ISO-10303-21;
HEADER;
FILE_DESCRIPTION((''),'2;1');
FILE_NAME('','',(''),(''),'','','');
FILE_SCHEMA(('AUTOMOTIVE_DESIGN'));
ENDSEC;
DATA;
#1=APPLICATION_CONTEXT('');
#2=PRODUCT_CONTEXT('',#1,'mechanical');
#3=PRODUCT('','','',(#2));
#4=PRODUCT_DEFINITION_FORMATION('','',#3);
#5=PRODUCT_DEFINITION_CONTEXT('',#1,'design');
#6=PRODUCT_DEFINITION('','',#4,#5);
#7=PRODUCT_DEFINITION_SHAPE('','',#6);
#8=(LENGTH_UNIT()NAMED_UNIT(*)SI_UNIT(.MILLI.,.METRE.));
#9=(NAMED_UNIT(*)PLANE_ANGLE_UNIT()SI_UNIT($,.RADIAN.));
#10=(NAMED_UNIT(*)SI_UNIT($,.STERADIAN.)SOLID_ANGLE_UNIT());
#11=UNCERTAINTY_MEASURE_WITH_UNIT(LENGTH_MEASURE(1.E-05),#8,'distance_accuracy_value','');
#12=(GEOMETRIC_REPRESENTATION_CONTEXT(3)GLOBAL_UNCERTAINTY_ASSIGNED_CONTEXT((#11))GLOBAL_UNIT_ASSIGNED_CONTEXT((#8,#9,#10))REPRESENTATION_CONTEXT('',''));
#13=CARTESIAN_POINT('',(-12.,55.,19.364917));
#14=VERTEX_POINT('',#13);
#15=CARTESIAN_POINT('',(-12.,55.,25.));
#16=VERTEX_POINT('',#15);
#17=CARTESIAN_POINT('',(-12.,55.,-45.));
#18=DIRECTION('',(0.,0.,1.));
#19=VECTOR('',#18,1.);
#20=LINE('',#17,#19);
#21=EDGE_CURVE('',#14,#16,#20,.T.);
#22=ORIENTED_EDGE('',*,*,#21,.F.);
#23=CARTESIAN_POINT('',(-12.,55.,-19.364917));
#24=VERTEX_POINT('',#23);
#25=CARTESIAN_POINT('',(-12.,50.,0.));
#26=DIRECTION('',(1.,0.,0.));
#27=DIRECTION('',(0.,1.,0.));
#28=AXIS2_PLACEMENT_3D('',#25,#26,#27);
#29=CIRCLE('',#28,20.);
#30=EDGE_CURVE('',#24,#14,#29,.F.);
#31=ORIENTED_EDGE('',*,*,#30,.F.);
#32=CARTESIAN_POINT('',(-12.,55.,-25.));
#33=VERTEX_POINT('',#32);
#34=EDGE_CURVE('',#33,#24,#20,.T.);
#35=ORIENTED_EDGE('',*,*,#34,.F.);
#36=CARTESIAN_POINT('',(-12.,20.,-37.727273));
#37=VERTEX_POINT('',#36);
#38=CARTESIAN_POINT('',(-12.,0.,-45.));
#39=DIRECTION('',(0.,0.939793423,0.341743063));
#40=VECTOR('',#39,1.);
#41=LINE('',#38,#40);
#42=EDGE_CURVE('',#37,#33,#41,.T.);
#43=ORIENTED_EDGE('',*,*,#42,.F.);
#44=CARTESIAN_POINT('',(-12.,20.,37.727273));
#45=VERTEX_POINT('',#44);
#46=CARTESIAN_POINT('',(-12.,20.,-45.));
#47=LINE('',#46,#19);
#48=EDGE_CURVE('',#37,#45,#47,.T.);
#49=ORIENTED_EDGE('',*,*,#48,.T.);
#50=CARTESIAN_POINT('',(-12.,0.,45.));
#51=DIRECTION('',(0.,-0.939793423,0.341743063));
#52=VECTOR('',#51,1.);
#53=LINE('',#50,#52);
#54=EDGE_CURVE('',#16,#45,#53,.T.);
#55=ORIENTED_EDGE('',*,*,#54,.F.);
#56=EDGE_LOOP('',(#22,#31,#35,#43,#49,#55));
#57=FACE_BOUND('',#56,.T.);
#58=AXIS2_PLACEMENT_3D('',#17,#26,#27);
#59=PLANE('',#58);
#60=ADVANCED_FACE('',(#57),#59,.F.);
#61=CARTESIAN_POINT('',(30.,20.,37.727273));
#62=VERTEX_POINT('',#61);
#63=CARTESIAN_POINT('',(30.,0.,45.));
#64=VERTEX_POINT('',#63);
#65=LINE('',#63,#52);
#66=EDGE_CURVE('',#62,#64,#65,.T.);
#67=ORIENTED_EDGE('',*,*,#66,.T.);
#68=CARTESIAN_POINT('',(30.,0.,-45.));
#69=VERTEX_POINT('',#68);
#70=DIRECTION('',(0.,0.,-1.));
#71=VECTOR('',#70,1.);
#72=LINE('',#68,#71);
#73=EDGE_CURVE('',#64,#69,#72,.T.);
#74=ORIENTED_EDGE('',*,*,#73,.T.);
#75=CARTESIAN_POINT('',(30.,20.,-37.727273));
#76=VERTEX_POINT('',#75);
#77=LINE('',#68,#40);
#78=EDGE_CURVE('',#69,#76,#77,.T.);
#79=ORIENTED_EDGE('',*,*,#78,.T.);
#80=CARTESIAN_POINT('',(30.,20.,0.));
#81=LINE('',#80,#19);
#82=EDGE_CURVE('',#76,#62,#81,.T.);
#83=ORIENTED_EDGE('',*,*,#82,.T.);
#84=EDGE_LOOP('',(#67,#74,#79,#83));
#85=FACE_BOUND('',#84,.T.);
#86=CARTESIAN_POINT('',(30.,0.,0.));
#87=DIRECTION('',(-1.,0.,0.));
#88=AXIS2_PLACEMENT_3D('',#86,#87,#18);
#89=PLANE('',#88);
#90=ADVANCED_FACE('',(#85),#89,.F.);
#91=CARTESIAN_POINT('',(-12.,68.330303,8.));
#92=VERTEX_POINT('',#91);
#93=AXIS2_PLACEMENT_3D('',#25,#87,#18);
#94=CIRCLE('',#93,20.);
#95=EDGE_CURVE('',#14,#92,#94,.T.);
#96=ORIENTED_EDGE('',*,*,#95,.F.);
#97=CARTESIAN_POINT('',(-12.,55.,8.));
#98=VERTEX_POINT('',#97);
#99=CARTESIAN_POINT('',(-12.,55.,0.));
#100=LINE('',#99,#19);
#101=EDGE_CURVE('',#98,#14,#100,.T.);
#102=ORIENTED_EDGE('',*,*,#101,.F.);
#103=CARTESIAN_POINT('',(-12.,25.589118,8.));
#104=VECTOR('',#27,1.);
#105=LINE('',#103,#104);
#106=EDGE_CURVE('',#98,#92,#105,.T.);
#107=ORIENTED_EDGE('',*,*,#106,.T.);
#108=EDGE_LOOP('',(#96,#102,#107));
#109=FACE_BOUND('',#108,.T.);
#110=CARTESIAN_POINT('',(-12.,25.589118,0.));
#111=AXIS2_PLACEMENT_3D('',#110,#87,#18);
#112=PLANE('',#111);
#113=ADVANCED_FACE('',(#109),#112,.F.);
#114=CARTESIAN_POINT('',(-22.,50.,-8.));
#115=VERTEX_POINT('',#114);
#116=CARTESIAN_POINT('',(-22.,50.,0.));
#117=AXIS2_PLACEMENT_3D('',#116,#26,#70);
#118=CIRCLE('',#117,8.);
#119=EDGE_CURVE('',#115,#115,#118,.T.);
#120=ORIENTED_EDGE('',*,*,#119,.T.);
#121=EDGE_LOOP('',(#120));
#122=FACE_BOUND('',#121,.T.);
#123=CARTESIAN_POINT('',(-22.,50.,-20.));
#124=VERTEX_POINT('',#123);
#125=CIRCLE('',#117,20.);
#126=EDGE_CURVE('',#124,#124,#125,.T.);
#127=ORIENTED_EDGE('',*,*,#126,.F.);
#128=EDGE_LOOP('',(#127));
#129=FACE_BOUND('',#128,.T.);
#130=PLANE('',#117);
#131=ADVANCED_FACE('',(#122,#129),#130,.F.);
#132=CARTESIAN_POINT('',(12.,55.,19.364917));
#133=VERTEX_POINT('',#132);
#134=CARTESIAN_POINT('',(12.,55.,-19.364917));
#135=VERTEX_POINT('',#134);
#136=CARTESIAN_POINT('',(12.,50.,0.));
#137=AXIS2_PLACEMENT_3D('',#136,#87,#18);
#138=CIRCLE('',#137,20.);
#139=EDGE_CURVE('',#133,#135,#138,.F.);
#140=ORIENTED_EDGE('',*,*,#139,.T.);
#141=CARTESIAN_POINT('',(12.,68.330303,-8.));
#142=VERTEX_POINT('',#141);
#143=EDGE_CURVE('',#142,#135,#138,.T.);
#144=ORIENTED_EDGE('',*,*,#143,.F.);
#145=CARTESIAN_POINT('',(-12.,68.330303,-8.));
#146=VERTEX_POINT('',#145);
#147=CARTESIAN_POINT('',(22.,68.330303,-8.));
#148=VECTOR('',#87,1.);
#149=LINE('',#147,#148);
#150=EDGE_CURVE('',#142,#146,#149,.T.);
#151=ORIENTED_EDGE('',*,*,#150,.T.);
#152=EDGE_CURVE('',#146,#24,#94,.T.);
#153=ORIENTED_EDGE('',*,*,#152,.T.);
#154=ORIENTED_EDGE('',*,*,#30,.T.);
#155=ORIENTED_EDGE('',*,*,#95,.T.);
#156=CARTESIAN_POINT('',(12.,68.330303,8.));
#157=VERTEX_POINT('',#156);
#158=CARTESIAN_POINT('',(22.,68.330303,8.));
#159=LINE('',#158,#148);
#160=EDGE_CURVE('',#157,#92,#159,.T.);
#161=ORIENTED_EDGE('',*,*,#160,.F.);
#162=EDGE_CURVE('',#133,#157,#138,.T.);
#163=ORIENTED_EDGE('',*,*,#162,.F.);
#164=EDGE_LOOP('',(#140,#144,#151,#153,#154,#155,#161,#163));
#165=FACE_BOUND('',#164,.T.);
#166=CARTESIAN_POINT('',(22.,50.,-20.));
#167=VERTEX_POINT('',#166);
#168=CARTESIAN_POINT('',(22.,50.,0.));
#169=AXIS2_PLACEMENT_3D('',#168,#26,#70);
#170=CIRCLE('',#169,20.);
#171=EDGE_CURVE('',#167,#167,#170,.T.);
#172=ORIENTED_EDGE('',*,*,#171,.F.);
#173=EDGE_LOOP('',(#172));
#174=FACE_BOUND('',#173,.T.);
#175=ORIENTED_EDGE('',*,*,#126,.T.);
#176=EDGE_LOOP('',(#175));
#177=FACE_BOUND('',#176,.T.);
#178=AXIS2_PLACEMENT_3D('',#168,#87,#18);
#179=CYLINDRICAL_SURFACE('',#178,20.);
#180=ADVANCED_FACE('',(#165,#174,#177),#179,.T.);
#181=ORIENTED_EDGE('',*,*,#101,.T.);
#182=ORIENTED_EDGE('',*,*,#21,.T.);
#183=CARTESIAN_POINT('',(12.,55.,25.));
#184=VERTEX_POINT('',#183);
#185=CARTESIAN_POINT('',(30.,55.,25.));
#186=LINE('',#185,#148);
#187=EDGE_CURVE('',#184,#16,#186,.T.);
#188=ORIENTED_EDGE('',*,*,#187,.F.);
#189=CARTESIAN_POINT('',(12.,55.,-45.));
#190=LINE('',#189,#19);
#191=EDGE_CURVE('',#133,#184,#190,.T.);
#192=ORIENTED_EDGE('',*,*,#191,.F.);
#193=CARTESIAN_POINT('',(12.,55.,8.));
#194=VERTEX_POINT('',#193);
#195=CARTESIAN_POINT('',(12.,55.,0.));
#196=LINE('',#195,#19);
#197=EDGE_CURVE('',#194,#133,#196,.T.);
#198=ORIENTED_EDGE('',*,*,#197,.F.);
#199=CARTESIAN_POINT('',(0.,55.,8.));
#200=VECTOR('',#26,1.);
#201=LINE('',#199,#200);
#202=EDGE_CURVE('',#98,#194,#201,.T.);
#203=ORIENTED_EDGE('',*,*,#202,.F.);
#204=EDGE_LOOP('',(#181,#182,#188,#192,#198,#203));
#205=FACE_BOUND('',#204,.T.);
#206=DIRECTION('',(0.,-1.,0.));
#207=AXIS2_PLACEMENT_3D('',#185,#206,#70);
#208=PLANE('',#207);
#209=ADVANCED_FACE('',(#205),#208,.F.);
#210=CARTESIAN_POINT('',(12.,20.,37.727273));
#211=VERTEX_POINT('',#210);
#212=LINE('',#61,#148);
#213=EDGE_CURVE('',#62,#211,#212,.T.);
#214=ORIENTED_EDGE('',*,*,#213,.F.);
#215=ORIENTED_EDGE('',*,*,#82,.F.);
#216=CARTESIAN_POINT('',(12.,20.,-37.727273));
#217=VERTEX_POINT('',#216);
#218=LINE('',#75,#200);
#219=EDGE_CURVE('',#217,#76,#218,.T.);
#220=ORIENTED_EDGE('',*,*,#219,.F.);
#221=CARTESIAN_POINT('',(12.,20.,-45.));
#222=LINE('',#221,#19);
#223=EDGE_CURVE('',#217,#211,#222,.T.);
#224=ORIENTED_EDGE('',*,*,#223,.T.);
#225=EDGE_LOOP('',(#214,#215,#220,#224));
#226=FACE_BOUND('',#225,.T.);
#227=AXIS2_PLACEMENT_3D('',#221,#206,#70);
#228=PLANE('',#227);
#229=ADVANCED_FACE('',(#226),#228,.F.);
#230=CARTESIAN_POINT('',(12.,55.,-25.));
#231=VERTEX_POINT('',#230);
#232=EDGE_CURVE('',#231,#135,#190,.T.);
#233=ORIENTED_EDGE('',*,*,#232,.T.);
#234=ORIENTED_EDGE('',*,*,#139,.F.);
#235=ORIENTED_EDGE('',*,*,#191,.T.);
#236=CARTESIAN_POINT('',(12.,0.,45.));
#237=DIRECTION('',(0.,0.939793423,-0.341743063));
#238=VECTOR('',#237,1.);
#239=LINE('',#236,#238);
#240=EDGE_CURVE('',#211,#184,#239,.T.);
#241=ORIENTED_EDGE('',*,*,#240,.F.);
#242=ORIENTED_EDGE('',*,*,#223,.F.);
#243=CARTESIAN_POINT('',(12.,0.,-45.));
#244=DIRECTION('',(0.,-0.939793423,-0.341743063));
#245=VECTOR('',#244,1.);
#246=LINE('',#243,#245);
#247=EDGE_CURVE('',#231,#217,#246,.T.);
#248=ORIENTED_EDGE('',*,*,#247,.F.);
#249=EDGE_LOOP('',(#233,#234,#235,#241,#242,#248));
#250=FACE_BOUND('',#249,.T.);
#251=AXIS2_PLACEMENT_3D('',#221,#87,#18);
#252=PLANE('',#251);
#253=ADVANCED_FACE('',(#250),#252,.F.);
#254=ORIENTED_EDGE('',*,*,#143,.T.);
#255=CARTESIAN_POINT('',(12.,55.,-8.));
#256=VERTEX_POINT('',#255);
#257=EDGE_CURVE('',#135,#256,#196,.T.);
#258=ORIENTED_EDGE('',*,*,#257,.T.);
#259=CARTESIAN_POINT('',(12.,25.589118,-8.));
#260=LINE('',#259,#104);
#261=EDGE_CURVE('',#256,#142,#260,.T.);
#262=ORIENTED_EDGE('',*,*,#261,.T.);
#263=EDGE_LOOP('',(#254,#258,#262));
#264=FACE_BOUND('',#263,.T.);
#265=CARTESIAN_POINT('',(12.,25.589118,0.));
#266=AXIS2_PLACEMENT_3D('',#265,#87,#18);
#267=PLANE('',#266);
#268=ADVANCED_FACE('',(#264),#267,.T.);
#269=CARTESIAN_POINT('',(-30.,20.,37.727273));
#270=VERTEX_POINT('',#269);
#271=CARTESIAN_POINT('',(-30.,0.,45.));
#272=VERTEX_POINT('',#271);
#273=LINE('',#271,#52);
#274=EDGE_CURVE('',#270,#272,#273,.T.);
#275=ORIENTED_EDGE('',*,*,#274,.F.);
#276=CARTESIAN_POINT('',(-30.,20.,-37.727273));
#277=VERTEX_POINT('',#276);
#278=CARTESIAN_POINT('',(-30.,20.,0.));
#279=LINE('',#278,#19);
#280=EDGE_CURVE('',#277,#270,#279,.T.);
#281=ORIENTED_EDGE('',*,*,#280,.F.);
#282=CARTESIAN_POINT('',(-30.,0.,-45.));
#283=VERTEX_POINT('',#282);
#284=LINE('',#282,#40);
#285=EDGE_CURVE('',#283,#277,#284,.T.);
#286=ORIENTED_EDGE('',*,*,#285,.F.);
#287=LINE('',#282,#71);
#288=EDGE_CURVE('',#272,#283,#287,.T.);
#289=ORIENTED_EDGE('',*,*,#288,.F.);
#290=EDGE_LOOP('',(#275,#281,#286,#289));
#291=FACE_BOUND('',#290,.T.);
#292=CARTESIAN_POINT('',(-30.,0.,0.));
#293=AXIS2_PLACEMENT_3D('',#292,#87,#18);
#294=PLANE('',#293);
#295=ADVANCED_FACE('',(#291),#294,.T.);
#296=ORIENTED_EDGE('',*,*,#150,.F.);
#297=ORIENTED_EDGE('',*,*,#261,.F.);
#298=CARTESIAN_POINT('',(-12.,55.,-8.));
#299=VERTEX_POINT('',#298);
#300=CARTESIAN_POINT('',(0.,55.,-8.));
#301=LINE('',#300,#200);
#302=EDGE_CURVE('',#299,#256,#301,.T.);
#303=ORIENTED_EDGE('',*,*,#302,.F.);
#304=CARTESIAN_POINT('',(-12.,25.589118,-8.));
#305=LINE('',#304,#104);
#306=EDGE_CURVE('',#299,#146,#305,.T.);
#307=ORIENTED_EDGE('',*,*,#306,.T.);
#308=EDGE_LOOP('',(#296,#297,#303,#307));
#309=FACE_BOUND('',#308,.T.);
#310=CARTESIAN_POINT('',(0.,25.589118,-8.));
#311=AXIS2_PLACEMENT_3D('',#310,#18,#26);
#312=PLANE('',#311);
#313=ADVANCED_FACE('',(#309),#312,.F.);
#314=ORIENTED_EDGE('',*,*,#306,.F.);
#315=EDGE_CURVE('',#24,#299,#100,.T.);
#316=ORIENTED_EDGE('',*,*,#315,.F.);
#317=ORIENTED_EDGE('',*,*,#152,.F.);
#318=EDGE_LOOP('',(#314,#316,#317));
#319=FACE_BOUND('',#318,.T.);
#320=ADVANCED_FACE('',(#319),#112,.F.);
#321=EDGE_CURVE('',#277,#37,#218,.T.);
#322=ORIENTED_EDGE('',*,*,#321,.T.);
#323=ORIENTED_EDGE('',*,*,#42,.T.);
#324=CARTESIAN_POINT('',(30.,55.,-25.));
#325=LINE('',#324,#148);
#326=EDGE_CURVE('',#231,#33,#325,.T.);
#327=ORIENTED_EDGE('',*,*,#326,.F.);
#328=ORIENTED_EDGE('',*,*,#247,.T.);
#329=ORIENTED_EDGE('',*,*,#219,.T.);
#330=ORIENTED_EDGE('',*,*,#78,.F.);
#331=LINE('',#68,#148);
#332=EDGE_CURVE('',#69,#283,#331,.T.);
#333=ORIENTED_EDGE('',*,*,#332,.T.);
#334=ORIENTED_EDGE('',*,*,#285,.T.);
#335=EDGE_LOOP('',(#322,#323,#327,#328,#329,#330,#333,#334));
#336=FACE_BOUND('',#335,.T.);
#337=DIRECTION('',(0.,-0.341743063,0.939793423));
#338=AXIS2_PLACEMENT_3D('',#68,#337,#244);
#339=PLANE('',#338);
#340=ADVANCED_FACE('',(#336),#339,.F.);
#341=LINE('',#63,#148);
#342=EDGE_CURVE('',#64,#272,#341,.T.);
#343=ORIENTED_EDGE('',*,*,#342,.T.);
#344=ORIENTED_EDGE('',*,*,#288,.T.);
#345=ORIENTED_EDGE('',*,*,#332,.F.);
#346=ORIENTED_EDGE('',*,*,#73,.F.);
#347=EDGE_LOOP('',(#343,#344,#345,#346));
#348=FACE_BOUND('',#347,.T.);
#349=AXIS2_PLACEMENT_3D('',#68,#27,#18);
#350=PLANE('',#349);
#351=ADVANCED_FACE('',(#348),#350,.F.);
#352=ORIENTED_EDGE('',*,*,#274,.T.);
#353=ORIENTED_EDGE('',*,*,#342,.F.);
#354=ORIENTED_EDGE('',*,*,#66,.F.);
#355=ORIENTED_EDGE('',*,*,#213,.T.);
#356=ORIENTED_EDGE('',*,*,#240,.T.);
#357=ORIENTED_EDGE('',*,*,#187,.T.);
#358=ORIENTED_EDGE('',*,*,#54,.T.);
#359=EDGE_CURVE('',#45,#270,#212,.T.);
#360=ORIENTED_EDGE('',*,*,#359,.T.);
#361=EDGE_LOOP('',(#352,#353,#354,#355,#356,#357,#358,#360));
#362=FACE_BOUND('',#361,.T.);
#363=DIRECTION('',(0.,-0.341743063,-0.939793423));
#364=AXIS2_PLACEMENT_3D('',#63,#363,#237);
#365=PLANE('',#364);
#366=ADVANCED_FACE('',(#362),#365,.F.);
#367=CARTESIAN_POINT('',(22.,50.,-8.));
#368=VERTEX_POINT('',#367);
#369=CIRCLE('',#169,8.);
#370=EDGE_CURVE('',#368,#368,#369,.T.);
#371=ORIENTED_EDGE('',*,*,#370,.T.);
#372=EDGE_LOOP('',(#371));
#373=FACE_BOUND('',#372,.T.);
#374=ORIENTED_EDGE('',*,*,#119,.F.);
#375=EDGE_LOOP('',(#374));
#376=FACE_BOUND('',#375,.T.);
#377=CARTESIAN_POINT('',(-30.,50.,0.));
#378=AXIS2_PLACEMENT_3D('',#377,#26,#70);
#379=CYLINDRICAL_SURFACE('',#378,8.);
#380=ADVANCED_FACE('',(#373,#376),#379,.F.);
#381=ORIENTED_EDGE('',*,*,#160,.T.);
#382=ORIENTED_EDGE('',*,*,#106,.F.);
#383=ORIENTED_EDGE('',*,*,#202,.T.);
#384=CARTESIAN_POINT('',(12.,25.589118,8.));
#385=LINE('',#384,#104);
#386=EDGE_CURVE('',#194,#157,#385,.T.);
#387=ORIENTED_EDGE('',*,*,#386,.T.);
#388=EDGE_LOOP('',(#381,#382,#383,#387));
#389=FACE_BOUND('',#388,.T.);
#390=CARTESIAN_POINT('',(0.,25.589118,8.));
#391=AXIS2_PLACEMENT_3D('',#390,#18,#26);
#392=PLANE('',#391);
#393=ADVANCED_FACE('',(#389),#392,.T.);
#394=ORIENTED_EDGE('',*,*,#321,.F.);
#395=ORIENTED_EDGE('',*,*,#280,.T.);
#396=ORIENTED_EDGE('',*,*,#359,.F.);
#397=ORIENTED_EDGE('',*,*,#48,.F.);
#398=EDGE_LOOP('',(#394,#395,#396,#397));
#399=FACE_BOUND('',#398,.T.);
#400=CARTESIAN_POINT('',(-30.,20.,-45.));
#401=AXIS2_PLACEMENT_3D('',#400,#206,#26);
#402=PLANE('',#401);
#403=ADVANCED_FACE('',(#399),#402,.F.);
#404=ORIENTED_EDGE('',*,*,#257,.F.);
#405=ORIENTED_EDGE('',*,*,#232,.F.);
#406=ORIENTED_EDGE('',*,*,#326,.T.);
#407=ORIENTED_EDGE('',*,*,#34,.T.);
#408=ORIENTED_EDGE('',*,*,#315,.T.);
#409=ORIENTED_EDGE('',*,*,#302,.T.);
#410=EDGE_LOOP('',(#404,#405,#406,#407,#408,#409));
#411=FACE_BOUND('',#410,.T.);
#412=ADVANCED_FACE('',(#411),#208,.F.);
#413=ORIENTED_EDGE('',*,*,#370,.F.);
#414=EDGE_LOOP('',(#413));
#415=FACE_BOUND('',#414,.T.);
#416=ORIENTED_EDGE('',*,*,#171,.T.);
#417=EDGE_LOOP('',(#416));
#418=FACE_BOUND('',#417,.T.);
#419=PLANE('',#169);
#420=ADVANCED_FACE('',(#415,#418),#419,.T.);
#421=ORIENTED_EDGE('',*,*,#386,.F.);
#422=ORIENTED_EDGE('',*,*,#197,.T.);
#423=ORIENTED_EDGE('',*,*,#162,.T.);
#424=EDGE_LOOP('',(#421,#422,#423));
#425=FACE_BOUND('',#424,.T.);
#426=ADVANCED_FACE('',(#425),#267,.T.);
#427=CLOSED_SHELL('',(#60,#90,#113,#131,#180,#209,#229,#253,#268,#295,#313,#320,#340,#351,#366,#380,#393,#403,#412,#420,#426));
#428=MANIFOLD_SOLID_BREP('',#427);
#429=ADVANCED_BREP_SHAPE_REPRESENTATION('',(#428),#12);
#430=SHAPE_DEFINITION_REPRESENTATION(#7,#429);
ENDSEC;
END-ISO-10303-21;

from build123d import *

# Parameters (mm, degrees)
SALIENTE_EXTRUIR1_DEPTH    = 30
CROQUIS2_W                 = 18
CROQUIS2_H                 = 35
CORTAR_EXTRUIR1_DEPTH      = 110.658560997
CROQUIS3_R                 = 20
SALIENTE_EXTRUIR2_DEPTH    = 22
CORTAR_EXTRUIR2_DEPTH      = 89.459030065
CORTAR_EXTRUIR2_DEPTH_BACK = 89.459030065
CROQUIS3_3_R               = 8
CROQUIS4_W                 = 24
CROQUIS4_H                 = 17
CORTAR_EXTRUIR4_DEPTH      = 15


with BuildPart() as part:
    # Croquis1 → Saliente-Extruir1 (new, symmetric)
    with BuildSketch(Plane(origin=(0, 0, 0), x_dir=(0, 0, -1), z_dir=(1, 0, 0))):
        Polygon((45, 0), (-45, 0), (-25, 55), (25, 55), align=None)
    extrude(amount=SALIENTE_EXTRUIR1_DEPTH, both=True)

    # Croquis2 → Cortar-Extruir1 (cut, through all)
    with BuildSketch(Plane.XY.offset(45)):
        with Locations((-21, 37.5)):
            Rectangle(CROQUIS2_W, CROQUIS2_H)
        with Locations((21, 37.5)):
            Rectangle(CROQUIS2_W, CROQUIS2_H)
    extrude(amount=-CORTAR_EXTRUIR1_DEPTH, mode=Mode.SUBTRACT)

    # Croquis3 → Saliente-Extruir2 (add, symmetric)
    with BuildSketch(Plane(origin=(0, 0, 0), x_dir=(0, 0, -1), z_dir=(1, 0, 0))):
        with Locations((0, 50)):
            Circle(CROQUIS3_R)
    extrude(amount=SALIENTE_EXTRUIR2_DEPTH, both=True)

    # Croquis3<3> → Cortar-Extruir2 (cut, two sides: drawn at the far end of the back side and taken through both)
    with BuildSketch(Plane(origin=(0, 0, 0), x_dir=(0, 0, -1), z_dir=(1, 0, 0)).offset(-CORTAR_EXTRUIR2_DEPTH_BACK)):
        with Locations((0, 50)):
            Circle(CROQUIS3_3_R)
    extrude(amount=CORTAR_EXTRUIR2_DEPTH + CORTAR_EXTRUIR2_DEPTH_BACK, mode=Mode.SUBTRACT)

    # Croquis4 → Cortar-Extruir4 (cut)
    with BuildSketch(Plane(origin=(0, 70, 0), x_dir=(1, 0, 0), z_dir=(0, 1, 0))):
        with Locations((0, -16.5)):
            Rectangle(CROQUIS4_W, CROQUIS4_H)
        with Locations((0, 16.5)):
            Rectangle(CROQUIS4_W, CROQUIS4_H)
    extrude(amount=-CORTAR_EXTRUIR4_DEPTH, mode=Mode.SUBTRACT)


solid = part.part
